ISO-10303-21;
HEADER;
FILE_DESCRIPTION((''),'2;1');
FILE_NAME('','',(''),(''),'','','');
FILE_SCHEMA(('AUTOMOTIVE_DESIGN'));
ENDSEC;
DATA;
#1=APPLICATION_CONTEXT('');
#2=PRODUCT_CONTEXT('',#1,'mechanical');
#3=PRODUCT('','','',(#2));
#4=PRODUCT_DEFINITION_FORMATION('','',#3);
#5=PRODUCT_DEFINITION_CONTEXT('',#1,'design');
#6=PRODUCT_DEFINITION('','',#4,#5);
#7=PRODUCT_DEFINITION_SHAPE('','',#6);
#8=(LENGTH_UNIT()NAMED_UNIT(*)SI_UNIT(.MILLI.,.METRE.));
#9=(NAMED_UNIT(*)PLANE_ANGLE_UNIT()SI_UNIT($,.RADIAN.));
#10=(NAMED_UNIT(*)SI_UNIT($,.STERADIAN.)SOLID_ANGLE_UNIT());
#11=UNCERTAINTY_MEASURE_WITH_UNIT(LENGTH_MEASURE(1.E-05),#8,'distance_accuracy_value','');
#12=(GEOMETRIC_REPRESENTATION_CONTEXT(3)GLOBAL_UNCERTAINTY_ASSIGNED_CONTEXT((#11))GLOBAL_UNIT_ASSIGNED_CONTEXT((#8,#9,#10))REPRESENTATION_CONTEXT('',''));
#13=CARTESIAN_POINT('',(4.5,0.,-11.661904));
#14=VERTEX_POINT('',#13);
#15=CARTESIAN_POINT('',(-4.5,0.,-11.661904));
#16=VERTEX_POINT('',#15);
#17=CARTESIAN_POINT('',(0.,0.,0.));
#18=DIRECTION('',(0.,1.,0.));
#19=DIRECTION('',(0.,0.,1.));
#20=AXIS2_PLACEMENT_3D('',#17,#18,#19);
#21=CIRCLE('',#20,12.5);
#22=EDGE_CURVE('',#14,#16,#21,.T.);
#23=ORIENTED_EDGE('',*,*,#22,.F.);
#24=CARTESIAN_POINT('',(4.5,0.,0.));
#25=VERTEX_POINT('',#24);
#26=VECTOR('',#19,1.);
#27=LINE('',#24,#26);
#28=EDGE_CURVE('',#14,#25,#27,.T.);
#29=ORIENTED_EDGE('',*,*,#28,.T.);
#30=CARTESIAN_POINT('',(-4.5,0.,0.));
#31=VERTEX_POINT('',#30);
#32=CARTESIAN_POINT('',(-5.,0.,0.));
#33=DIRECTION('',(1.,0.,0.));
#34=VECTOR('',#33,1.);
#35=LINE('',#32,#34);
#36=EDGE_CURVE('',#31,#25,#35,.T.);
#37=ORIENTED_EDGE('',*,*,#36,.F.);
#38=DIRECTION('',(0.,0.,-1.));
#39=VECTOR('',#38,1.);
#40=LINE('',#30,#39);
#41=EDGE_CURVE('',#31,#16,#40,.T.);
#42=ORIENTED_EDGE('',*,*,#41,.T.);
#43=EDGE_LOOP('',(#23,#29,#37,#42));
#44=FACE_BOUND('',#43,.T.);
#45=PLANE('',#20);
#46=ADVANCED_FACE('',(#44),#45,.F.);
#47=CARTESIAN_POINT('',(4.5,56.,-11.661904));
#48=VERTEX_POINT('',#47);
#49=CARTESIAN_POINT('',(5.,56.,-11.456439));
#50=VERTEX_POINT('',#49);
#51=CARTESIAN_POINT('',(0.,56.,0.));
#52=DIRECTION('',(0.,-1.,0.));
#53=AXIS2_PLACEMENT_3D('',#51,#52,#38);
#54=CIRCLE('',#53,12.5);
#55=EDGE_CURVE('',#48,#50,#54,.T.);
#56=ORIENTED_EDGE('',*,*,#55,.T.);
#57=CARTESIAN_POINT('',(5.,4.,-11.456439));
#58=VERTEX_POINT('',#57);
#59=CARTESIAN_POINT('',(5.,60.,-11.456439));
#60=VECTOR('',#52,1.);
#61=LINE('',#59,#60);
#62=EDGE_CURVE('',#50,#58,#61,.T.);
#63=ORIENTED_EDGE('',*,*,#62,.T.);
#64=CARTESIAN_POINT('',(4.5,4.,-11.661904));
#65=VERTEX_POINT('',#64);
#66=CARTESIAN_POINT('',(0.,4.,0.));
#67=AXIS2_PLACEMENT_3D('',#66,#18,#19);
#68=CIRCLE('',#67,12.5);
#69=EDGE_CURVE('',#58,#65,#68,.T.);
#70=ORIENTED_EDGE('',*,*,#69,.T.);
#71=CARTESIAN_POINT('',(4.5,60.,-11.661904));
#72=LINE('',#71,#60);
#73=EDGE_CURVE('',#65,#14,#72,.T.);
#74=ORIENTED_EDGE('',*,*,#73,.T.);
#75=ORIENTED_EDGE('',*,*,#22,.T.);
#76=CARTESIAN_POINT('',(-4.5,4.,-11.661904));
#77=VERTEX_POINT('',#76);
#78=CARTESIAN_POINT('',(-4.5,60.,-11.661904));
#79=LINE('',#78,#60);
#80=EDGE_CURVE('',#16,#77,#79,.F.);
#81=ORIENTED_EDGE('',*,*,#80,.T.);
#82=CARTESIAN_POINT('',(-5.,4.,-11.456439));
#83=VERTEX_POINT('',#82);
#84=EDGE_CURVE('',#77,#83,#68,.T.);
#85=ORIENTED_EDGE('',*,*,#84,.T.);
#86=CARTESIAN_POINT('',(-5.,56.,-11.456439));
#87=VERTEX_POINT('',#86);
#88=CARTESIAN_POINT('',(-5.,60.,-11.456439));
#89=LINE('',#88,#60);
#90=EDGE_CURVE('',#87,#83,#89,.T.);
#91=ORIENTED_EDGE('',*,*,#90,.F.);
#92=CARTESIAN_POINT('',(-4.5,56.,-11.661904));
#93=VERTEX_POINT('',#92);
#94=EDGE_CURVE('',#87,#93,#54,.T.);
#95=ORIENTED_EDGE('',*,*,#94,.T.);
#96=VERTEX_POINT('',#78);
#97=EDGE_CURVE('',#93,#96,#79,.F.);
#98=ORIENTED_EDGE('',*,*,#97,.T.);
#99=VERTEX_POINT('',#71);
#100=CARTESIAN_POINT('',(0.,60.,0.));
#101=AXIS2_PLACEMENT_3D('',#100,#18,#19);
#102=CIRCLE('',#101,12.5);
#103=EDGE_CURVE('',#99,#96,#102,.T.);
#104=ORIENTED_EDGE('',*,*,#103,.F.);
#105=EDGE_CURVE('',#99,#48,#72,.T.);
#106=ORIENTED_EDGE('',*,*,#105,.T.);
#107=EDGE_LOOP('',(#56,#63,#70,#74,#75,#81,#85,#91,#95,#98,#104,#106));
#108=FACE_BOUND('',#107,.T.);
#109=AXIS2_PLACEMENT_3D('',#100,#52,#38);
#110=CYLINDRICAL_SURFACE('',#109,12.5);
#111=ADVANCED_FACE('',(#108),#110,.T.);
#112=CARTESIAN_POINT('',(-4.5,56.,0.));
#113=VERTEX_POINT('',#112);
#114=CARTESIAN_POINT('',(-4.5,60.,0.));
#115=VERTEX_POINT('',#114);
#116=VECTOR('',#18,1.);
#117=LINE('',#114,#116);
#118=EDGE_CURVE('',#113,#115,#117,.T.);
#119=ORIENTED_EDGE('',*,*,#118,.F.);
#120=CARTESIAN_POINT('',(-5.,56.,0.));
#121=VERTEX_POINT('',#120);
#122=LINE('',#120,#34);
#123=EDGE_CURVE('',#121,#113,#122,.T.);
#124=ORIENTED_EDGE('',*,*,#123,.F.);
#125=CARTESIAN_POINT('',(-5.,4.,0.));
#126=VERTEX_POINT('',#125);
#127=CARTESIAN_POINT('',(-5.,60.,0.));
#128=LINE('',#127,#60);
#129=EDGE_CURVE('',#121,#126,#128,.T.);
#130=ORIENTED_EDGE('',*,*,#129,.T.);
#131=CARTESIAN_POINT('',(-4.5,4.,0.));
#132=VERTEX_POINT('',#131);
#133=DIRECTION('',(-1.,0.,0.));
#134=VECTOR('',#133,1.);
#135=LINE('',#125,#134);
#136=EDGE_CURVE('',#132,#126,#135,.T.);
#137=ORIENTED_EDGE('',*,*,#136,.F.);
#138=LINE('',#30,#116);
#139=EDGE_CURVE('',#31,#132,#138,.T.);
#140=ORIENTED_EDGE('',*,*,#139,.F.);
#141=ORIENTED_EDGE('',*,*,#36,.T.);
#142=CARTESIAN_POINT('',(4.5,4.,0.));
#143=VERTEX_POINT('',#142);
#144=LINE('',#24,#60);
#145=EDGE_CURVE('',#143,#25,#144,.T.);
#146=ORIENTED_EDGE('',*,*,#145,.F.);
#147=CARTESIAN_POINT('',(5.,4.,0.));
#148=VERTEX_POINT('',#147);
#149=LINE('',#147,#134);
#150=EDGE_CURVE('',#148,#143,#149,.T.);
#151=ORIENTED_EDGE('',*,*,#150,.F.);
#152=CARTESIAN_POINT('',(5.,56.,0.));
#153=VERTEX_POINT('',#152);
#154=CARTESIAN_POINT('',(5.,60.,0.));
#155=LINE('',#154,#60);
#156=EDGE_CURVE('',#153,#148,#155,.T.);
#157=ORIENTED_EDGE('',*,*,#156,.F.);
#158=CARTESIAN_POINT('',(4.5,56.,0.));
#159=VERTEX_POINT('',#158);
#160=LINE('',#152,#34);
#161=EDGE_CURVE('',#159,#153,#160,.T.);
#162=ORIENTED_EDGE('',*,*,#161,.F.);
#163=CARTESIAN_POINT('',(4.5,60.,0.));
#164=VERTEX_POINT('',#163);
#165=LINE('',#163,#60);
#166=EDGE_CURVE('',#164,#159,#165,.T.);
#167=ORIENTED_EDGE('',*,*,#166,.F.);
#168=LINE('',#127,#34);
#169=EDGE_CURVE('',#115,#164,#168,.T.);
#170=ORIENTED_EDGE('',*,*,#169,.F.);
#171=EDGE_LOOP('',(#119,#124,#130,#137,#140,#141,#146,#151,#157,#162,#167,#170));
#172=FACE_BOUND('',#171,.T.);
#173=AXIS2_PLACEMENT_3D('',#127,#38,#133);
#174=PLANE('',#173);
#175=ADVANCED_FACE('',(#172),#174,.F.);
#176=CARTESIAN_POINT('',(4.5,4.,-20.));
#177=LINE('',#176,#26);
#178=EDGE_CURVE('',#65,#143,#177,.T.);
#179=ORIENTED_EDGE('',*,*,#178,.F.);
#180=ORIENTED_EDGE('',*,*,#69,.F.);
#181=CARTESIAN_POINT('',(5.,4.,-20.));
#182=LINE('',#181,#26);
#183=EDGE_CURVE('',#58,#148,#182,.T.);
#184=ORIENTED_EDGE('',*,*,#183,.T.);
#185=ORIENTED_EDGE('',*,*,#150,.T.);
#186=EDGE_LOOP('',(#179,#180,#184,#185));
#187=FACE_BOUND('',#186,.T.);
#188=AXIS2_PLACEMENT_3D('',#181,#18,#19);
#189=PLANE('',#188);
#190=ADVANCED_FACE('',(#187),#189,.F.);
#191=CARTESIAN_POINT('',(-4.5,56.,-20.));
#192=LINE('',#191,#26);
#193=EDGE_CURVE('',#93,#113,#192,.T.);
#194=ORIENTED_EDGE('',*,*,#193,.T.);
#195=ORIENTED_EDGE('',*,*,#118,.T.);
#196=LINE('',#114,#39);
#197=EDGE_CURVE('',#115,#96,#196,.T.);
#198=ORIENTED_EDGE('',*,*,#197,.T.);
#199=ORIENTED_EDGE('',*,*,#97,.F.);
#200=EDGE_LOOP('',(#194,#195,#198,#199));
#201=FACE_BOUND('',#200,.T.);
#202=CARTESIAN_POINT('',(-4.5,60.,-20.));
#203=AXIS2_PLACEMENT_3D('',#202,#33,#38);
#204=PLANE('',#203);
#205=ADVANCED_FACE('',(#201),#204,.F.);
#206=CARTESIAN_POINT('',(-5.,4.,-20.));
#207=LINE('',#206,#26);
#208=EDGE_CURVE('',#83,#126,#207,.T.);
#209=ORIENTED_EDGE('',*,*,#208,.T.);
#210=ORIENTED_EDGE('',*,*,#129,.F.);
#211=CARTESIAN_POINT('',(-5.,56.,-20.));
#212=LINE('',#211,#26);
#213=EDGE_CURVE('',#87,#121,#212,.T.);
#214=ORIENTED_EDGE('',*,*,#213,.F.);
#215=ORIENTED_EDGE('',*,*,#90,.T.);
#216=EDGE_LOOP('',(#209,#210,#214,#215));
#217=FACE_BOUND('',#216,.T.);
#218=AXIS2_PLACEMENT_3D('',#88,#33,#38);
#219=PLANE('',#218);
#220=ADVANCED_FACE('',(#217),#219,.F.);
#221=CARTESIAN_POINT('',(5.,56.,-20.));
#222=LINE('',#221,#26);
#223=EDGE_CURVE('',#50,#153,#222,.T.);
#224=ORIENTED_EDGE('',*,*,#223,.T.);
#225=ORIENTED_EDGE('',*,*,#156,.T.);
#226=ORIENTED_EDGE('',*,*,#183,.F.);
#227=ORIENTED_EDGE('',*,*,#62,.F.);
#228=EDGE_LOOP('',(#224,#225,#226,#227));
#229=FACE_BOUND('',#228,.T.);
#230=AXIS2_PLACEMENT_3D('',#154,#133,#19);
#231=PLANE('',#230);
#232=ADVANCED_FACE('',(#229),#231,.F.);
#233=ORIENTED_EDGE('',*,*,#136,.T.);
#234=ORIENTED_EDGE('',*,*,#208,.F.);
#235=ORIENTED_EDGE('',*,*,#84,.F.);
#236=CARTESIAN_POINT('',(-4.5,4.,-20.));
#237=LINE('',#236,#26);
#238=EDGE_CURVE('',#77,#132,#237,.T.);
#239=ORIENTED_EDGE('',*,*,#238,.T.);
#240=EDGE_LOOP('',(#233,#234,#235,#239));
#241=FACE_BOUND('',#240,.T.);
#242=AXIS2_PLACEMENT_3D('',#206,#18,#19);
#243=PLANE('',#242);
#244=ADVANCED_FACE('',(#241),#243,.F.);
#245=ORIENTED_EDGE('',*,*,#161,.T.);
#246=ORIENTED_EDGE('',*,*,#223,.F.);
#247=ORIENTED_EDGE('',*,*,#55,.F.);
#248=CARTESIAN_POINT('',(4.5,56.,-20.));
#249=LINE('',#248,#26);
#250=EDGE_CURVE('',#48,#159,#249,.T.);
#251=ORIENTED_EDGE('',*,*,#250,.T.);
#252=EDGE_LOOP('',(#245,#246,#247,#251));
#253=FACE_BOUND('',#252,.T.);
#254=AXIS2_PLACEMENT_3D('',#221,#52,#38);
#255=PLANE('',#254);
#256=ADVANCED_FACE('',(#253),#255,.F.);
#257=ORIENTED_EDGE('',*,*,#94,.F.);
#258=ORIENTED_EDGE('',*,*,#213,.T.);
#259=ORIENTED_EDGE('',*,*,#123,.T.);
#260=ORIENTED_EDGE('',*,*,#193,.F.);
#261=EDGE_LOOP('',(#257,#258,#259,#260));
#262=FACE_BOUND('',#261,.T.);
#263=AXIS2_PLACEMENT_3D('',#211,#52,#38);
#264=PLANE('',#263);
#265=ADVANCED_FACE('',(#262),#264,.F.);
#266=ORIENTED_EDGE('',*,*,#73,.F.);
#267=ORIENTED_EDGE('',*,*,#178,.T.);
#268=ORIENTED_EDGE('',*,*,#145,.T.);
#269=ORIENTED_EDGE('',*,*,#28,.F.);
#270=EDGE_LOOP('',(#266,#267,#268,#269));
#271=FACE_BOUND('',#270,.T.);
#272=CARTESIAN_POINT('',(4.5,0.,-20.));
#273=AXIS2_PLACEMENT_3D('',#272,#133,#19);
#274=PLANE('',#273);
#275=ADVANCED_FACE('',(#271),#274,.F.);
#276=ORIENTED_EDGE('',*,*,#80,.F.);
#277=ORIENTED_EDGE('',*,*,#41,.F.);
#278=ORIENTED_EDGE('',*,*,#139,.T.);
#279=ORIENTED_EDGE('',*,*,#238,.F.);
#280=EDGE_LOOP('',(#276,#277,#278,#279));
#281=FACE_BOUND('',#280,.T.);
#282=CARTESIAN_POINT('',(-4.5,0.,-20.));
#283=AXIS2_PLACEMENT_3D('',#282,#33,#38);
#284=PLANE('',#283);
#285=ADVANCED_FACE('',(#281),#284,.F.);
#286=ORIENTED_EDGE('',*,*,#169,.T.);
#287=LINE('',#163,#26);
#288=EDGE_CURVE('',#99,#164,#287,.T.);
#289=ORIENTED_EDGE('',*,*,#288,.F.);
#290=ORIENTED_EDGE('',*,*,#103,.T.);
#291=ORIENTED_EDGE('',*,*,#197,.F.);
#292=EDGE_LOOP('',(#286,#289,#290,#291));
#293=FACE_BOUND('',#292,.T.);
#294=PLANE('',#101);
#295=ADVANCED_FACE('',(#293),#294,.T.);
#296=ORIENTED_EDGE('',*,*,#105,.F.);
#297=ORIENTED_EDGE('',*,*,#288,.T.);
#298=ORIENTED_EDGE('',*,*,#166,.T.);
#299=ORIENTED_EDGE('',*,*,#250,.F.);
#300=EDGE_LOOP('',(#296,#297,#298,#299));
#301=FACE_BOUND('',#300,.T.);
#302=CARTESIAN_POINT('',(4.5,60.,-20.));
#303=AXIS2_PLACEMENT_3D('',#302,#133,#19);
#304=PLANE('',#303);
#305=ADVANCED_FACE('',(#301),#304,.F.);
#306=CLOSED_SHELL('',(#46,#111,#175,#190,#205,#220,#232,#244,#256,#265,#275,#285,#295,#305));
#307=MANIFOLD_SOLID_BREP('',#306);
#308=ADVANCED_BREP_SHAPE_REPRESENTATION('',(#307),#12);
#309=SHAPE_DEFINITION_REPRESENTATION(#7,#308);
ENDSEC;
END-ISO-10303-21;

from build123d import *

# Parameters (mm, degrees)
BOSS_EXTRUDE1_DEPTH = 60
SKETCH3_W           = 0.5
SKETCH3_H           = 4
CUT_EXTRUDE1_DEPTH  = 20


with BuildPart() as part:
    # Sketch2 → Boss-Extrude1 (new body)
    with BuildSketch(Plane(origin=(0, 0, 0), x_dir=(1, 0, 0), z_dir=(0, 1, 0))):
        with BuildLine():
            Line((-5, 0), (5, 0))
            Line((5, 0), (5, 11.456439237))
            ThreePointArc((5, 11.456439237), (0, 12.5), (-5, 11.456439237))
            Line((-5, 11.456439237), (-5, 0))
        make_face()
    extrude(amount=BOSS_EXTRUDE1_DEPTH)

    # Sketch3 → Cut-Extrude1 (cut)
    with BuildSketch(Plane.XY):
        with Locations((-4.75, 2)):
            Rectangle(SKETCH3_W, SKETCH3_H)
        with Locations((4.75, 2)):
            Rectangle(SKETCH3_W, SKETCH3_H)
        with Locations((4.75, 58)):
            Rectangle(SKETCH3_W, SKETCH3_H)
        with Locations((-4.75, 58)):
            Rectangle(SKETCH3_W, SKETCH3_H)
    extrude(amount=-CUT_EXTRUDE1_DEPTH, mode=Mode.SUBTRACT)


solid = part.part
